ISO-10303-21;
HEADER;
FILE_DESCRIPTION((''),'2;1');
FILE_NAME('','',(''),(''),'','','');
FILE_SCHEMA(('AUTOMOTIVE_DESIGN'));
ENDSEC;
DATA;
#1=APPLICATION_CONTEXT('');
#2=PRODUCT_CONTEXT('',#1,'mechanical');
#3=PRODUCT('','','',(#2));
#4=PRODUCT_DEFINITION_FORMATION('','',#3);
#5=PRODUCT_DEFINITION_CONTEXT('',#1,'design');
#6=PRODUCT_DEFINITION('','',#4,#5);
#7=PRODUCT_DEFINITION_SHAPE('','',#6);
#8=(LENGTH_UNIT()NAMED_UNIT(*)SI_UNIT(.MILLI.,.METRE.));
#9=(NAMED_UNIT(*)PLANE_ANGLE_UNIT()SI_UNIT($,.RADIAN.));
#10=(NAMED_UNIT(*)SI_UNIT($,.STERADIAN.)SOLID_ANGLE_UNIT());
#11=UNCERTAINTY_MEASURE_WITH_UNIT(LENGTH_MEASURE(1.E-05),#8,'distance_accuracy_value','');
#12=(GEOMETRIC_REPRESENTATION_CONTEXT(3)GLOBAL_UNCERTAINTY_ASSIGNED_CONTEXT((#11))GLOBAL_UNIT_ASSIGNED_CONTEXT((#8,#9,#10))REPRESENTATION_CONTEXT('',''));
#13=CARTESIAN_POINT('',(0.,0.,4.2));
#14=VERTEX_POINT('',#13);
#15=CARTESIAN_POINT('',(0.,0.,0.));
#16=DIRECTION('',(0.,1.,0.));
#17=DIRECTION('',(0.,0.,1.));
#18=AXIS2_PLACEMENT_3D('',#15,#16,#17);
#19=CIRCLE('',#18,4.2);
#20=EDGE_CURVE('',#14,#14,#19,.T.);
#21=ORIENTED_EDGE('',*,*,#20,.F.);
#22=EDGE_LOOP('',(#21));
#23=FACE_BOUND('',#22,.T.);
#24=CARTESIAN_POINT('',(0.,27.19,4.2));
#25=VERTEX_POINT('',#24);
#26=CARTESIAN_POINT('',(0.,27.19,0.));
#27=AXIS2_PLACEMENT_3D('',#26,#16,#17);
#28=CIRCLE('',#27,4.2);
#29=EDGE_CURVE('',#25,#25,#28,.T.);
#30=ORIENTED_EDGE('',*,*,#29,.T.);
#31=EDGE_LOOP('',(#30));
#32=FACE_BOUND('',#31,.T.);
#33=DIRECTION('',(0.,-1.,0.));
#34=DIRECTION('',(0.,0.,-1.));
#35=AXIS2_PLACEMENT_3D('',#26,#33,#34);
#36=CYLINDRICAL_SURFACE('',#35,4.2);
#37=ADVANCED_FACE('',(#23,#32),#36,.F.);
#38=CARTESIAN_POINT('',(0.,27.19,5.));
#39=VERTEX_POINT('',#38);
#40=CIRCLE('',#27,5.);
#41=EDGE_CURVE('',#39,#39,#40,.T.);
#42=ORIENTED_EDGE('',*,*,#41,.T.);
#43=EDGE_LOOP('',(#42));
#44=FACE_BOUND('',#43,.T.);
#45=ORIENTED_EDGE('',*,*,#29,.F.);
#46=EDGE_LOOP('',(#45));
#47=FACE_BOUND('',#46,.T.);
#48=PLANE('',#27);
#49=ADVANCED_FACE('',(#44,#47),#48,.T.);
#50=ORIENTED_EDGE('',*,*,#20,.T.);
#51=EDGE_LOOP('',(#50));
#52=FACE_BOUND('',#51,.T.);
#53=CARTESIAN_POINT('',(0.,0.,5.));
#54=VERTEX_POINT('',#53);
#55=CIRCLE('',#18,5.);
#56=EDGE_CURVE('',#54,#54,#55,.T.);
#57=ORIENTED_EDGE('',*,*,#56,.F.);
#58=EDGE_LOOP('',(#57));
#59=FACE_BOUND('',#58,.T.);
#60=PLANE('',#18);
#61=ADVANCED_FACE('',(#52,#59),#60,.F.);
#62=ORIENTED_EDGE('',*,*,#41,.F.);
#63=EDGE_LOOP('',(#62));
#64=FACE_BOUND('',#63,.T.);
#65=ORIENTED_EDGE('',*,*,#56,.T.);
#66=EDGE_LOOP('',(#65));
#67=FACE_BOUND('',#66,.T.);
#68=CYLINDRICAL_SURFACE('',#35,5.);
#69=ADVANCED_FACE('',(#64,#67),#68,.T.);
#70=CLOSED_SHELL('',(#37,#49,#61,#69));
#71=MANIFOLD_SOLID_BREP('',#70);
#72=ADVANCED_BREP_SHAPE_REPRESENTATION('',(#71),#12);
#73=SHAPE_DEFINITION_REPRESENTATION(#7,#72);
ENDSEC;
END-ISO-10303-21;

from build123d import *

# Parameters (mm, degrees)
SKETCH_1_R      = 5
SKETCH_1_R_2    = 4.2
EXTRUDE_1_DEPTH = 27.19


with BuildPart() as part:
    # 草图1 → 凸台-拉伸1 (new body)
    with BuildSketch(Plane(origin=(0, 0, 0), x_dir=(1, 0, 0), z_dir=(0, 1, 0))):
        Circle(SKETCH_1_R)
        Circle(SKETCH_1_R_2, mode=Mode.SUBTRACT)
    extrude(amount=EXTRUDE_1_DEPTH)


solid = part.part
